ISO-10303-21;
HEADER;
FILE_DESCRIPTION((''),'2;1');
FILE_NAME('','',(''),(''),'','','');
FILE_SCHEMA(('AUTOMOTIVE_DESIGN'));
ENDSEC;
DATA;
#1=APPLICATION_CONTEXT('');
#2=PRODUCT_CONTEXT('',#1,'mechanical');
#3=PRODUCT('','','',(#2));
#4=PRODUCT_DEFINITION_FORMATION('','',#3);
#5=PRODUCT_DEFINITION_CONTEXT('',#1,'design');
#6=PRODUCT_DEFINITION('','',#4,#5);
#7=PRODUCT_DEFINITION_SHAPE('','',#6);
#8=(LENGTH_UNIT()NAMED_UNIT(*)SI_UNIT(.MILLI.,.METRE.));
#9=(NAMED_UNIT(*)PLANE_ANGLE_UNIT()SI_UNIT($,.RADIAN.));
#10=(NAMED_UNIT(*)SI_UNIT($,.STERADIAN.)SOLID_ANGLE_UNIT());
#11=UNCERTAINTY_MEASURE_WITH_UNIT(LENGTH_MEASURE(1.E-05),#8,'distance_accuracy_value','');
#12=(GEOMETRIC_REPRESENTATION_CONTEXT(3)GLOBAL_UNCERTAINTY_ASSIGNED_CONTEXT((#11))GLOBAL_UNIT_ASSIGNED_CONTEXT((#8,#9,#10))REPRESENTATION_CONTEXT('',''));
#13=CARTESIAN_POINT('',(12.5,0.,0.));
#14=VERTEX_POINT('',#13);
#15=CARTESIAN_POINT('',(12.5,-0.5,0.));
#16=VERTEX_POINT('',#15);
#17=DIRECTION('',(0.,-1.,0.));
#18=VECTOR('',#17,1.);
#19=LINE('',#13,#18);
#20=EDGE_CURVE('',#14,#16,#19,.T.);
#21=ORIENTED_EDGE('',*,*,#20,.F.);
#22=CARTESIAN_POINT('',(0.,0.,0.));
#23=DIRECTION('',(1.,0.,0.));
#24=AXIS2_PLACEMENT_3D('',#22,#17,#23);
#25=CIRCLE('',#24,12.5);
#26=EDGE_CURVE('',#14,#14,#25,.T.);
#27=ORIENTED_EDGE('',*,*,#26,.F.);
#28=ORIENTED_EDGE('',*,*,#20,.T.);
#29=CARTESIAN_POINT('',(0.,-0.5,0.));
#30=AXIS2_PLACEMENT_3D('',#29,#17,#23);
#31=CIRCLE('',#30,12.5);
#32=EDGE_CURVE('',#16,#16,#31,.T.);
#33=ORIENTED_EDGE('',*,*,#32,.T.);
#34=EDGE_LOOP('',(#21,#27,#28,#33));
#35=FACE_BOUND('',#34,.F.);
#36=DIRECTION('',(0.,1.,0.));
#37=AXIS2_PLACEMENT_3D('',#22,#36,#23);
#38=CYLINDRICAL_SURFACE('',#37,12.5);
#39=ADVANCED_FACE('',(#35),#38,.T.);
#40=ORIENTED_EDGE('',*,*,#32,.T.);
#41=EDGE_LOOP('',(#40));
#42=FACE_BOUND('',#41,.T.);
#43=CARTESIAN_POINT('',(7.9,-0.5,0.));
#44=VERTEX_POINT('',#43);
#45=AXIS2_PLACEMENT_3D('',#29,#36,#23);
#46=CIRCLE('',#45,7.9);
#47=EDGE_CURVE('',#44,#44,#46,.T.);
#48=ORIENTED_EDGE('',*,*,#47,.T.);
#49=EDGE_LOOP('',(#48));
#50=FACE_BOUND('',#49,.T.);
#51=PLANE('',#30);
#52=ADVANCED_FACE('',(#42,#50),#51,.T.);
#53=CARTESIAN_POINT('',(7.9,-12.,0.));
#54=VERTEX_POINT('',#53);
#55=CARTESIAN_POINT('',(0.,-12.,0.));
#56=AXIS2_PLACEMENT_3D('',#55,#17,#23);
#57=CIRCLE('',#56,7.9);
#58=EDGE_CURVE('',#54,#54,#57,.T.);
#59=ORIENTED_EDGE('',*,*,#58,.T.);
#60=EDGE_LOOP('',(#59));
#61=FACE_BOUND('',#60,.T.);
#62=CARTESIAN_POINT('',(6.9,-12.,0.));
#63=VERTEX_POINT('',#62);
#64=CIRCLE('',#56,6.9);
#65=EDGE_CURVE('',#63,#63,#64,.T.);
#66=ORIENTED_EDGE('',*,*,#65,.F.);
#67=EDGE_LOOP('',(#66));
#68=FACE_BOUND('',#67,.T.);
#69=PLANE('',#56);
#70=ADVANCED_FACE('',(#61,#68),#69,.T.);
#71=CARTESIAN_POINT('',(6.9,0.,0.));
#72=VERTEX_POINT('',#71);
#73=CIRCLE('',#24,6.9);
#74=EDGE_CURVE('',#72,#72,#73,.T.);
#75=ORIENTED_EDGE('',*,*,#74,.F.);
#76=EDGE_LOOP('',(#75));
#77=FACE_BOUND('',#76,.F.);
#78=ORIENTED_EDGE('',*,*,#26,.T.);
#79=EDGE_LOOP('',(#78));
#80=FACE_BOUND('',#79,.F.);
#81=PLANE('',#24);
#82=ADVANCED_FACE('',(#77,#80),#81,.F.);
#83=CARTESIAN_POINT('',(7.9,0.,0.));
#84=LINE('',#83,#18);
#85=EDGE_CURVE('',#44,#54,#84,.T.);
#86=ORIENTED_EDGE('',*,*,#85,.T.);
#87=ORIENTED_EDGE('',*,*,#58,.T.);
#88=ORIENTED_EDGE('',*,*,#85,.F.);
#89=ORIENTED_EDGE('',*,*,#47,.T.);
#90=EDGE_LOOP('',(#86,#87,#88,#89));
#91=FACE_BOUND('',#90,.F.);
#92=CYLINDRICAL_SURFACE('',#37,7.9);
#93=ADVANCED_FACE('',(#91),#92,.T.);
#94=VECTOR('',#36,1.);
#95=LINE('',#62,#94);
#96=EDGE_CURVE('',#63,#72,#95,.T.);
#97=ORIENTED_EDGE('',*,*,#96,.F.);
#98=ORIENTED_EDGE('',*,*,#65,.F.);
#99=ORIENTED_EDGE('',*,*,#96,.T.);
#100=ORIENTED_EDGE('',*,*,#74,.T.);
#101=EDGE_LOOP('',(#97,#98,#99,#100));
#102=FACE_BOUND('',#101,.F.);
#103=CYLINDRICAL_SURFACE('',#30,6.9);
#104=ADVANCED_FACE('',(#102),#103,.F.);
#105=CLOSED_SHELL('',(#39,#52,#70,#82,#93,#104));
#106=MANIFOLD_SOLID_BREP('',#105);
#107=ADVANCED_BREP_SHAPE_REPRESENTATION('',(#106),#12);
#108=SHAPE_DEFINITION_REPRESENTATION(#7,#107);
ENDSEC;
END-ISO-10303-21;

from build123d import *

# Parameters (mm, degrees)
F0_R      = 7.9
F0_R_2    = 6.9
F1_DEPTH  = 12
F2_R      = 12.5
F3_DEPTH  = 0.5
F3_FACE_R = 6.9
F4_DEPTH  = 0.5


with BuildPart() as f1:
    # F0 (on Front) → F1 (new body)
    with BuildSketch(Plane.XZ):
        Circle(F0_R)
        Circle(F0_R_2, mode=Mode.SUBTRACT)
    extrude(amount=F1_DEPTH)

    # F2 (on Front) → F3 (join)
    with BuildSketch(Plane.XZ):
        Circle(F2_R)
    extrude(amount=F3_DEPTH)

    # F3_face (on face) → F4 (cut)
    with BuildSketch(Plane.XZ.offset(0.5)):
        Circle(F3_FACE_R)
    extrude(amount=-F4_DEPTH, mode=Mode.SUBTRACT)


solid = f1.part
